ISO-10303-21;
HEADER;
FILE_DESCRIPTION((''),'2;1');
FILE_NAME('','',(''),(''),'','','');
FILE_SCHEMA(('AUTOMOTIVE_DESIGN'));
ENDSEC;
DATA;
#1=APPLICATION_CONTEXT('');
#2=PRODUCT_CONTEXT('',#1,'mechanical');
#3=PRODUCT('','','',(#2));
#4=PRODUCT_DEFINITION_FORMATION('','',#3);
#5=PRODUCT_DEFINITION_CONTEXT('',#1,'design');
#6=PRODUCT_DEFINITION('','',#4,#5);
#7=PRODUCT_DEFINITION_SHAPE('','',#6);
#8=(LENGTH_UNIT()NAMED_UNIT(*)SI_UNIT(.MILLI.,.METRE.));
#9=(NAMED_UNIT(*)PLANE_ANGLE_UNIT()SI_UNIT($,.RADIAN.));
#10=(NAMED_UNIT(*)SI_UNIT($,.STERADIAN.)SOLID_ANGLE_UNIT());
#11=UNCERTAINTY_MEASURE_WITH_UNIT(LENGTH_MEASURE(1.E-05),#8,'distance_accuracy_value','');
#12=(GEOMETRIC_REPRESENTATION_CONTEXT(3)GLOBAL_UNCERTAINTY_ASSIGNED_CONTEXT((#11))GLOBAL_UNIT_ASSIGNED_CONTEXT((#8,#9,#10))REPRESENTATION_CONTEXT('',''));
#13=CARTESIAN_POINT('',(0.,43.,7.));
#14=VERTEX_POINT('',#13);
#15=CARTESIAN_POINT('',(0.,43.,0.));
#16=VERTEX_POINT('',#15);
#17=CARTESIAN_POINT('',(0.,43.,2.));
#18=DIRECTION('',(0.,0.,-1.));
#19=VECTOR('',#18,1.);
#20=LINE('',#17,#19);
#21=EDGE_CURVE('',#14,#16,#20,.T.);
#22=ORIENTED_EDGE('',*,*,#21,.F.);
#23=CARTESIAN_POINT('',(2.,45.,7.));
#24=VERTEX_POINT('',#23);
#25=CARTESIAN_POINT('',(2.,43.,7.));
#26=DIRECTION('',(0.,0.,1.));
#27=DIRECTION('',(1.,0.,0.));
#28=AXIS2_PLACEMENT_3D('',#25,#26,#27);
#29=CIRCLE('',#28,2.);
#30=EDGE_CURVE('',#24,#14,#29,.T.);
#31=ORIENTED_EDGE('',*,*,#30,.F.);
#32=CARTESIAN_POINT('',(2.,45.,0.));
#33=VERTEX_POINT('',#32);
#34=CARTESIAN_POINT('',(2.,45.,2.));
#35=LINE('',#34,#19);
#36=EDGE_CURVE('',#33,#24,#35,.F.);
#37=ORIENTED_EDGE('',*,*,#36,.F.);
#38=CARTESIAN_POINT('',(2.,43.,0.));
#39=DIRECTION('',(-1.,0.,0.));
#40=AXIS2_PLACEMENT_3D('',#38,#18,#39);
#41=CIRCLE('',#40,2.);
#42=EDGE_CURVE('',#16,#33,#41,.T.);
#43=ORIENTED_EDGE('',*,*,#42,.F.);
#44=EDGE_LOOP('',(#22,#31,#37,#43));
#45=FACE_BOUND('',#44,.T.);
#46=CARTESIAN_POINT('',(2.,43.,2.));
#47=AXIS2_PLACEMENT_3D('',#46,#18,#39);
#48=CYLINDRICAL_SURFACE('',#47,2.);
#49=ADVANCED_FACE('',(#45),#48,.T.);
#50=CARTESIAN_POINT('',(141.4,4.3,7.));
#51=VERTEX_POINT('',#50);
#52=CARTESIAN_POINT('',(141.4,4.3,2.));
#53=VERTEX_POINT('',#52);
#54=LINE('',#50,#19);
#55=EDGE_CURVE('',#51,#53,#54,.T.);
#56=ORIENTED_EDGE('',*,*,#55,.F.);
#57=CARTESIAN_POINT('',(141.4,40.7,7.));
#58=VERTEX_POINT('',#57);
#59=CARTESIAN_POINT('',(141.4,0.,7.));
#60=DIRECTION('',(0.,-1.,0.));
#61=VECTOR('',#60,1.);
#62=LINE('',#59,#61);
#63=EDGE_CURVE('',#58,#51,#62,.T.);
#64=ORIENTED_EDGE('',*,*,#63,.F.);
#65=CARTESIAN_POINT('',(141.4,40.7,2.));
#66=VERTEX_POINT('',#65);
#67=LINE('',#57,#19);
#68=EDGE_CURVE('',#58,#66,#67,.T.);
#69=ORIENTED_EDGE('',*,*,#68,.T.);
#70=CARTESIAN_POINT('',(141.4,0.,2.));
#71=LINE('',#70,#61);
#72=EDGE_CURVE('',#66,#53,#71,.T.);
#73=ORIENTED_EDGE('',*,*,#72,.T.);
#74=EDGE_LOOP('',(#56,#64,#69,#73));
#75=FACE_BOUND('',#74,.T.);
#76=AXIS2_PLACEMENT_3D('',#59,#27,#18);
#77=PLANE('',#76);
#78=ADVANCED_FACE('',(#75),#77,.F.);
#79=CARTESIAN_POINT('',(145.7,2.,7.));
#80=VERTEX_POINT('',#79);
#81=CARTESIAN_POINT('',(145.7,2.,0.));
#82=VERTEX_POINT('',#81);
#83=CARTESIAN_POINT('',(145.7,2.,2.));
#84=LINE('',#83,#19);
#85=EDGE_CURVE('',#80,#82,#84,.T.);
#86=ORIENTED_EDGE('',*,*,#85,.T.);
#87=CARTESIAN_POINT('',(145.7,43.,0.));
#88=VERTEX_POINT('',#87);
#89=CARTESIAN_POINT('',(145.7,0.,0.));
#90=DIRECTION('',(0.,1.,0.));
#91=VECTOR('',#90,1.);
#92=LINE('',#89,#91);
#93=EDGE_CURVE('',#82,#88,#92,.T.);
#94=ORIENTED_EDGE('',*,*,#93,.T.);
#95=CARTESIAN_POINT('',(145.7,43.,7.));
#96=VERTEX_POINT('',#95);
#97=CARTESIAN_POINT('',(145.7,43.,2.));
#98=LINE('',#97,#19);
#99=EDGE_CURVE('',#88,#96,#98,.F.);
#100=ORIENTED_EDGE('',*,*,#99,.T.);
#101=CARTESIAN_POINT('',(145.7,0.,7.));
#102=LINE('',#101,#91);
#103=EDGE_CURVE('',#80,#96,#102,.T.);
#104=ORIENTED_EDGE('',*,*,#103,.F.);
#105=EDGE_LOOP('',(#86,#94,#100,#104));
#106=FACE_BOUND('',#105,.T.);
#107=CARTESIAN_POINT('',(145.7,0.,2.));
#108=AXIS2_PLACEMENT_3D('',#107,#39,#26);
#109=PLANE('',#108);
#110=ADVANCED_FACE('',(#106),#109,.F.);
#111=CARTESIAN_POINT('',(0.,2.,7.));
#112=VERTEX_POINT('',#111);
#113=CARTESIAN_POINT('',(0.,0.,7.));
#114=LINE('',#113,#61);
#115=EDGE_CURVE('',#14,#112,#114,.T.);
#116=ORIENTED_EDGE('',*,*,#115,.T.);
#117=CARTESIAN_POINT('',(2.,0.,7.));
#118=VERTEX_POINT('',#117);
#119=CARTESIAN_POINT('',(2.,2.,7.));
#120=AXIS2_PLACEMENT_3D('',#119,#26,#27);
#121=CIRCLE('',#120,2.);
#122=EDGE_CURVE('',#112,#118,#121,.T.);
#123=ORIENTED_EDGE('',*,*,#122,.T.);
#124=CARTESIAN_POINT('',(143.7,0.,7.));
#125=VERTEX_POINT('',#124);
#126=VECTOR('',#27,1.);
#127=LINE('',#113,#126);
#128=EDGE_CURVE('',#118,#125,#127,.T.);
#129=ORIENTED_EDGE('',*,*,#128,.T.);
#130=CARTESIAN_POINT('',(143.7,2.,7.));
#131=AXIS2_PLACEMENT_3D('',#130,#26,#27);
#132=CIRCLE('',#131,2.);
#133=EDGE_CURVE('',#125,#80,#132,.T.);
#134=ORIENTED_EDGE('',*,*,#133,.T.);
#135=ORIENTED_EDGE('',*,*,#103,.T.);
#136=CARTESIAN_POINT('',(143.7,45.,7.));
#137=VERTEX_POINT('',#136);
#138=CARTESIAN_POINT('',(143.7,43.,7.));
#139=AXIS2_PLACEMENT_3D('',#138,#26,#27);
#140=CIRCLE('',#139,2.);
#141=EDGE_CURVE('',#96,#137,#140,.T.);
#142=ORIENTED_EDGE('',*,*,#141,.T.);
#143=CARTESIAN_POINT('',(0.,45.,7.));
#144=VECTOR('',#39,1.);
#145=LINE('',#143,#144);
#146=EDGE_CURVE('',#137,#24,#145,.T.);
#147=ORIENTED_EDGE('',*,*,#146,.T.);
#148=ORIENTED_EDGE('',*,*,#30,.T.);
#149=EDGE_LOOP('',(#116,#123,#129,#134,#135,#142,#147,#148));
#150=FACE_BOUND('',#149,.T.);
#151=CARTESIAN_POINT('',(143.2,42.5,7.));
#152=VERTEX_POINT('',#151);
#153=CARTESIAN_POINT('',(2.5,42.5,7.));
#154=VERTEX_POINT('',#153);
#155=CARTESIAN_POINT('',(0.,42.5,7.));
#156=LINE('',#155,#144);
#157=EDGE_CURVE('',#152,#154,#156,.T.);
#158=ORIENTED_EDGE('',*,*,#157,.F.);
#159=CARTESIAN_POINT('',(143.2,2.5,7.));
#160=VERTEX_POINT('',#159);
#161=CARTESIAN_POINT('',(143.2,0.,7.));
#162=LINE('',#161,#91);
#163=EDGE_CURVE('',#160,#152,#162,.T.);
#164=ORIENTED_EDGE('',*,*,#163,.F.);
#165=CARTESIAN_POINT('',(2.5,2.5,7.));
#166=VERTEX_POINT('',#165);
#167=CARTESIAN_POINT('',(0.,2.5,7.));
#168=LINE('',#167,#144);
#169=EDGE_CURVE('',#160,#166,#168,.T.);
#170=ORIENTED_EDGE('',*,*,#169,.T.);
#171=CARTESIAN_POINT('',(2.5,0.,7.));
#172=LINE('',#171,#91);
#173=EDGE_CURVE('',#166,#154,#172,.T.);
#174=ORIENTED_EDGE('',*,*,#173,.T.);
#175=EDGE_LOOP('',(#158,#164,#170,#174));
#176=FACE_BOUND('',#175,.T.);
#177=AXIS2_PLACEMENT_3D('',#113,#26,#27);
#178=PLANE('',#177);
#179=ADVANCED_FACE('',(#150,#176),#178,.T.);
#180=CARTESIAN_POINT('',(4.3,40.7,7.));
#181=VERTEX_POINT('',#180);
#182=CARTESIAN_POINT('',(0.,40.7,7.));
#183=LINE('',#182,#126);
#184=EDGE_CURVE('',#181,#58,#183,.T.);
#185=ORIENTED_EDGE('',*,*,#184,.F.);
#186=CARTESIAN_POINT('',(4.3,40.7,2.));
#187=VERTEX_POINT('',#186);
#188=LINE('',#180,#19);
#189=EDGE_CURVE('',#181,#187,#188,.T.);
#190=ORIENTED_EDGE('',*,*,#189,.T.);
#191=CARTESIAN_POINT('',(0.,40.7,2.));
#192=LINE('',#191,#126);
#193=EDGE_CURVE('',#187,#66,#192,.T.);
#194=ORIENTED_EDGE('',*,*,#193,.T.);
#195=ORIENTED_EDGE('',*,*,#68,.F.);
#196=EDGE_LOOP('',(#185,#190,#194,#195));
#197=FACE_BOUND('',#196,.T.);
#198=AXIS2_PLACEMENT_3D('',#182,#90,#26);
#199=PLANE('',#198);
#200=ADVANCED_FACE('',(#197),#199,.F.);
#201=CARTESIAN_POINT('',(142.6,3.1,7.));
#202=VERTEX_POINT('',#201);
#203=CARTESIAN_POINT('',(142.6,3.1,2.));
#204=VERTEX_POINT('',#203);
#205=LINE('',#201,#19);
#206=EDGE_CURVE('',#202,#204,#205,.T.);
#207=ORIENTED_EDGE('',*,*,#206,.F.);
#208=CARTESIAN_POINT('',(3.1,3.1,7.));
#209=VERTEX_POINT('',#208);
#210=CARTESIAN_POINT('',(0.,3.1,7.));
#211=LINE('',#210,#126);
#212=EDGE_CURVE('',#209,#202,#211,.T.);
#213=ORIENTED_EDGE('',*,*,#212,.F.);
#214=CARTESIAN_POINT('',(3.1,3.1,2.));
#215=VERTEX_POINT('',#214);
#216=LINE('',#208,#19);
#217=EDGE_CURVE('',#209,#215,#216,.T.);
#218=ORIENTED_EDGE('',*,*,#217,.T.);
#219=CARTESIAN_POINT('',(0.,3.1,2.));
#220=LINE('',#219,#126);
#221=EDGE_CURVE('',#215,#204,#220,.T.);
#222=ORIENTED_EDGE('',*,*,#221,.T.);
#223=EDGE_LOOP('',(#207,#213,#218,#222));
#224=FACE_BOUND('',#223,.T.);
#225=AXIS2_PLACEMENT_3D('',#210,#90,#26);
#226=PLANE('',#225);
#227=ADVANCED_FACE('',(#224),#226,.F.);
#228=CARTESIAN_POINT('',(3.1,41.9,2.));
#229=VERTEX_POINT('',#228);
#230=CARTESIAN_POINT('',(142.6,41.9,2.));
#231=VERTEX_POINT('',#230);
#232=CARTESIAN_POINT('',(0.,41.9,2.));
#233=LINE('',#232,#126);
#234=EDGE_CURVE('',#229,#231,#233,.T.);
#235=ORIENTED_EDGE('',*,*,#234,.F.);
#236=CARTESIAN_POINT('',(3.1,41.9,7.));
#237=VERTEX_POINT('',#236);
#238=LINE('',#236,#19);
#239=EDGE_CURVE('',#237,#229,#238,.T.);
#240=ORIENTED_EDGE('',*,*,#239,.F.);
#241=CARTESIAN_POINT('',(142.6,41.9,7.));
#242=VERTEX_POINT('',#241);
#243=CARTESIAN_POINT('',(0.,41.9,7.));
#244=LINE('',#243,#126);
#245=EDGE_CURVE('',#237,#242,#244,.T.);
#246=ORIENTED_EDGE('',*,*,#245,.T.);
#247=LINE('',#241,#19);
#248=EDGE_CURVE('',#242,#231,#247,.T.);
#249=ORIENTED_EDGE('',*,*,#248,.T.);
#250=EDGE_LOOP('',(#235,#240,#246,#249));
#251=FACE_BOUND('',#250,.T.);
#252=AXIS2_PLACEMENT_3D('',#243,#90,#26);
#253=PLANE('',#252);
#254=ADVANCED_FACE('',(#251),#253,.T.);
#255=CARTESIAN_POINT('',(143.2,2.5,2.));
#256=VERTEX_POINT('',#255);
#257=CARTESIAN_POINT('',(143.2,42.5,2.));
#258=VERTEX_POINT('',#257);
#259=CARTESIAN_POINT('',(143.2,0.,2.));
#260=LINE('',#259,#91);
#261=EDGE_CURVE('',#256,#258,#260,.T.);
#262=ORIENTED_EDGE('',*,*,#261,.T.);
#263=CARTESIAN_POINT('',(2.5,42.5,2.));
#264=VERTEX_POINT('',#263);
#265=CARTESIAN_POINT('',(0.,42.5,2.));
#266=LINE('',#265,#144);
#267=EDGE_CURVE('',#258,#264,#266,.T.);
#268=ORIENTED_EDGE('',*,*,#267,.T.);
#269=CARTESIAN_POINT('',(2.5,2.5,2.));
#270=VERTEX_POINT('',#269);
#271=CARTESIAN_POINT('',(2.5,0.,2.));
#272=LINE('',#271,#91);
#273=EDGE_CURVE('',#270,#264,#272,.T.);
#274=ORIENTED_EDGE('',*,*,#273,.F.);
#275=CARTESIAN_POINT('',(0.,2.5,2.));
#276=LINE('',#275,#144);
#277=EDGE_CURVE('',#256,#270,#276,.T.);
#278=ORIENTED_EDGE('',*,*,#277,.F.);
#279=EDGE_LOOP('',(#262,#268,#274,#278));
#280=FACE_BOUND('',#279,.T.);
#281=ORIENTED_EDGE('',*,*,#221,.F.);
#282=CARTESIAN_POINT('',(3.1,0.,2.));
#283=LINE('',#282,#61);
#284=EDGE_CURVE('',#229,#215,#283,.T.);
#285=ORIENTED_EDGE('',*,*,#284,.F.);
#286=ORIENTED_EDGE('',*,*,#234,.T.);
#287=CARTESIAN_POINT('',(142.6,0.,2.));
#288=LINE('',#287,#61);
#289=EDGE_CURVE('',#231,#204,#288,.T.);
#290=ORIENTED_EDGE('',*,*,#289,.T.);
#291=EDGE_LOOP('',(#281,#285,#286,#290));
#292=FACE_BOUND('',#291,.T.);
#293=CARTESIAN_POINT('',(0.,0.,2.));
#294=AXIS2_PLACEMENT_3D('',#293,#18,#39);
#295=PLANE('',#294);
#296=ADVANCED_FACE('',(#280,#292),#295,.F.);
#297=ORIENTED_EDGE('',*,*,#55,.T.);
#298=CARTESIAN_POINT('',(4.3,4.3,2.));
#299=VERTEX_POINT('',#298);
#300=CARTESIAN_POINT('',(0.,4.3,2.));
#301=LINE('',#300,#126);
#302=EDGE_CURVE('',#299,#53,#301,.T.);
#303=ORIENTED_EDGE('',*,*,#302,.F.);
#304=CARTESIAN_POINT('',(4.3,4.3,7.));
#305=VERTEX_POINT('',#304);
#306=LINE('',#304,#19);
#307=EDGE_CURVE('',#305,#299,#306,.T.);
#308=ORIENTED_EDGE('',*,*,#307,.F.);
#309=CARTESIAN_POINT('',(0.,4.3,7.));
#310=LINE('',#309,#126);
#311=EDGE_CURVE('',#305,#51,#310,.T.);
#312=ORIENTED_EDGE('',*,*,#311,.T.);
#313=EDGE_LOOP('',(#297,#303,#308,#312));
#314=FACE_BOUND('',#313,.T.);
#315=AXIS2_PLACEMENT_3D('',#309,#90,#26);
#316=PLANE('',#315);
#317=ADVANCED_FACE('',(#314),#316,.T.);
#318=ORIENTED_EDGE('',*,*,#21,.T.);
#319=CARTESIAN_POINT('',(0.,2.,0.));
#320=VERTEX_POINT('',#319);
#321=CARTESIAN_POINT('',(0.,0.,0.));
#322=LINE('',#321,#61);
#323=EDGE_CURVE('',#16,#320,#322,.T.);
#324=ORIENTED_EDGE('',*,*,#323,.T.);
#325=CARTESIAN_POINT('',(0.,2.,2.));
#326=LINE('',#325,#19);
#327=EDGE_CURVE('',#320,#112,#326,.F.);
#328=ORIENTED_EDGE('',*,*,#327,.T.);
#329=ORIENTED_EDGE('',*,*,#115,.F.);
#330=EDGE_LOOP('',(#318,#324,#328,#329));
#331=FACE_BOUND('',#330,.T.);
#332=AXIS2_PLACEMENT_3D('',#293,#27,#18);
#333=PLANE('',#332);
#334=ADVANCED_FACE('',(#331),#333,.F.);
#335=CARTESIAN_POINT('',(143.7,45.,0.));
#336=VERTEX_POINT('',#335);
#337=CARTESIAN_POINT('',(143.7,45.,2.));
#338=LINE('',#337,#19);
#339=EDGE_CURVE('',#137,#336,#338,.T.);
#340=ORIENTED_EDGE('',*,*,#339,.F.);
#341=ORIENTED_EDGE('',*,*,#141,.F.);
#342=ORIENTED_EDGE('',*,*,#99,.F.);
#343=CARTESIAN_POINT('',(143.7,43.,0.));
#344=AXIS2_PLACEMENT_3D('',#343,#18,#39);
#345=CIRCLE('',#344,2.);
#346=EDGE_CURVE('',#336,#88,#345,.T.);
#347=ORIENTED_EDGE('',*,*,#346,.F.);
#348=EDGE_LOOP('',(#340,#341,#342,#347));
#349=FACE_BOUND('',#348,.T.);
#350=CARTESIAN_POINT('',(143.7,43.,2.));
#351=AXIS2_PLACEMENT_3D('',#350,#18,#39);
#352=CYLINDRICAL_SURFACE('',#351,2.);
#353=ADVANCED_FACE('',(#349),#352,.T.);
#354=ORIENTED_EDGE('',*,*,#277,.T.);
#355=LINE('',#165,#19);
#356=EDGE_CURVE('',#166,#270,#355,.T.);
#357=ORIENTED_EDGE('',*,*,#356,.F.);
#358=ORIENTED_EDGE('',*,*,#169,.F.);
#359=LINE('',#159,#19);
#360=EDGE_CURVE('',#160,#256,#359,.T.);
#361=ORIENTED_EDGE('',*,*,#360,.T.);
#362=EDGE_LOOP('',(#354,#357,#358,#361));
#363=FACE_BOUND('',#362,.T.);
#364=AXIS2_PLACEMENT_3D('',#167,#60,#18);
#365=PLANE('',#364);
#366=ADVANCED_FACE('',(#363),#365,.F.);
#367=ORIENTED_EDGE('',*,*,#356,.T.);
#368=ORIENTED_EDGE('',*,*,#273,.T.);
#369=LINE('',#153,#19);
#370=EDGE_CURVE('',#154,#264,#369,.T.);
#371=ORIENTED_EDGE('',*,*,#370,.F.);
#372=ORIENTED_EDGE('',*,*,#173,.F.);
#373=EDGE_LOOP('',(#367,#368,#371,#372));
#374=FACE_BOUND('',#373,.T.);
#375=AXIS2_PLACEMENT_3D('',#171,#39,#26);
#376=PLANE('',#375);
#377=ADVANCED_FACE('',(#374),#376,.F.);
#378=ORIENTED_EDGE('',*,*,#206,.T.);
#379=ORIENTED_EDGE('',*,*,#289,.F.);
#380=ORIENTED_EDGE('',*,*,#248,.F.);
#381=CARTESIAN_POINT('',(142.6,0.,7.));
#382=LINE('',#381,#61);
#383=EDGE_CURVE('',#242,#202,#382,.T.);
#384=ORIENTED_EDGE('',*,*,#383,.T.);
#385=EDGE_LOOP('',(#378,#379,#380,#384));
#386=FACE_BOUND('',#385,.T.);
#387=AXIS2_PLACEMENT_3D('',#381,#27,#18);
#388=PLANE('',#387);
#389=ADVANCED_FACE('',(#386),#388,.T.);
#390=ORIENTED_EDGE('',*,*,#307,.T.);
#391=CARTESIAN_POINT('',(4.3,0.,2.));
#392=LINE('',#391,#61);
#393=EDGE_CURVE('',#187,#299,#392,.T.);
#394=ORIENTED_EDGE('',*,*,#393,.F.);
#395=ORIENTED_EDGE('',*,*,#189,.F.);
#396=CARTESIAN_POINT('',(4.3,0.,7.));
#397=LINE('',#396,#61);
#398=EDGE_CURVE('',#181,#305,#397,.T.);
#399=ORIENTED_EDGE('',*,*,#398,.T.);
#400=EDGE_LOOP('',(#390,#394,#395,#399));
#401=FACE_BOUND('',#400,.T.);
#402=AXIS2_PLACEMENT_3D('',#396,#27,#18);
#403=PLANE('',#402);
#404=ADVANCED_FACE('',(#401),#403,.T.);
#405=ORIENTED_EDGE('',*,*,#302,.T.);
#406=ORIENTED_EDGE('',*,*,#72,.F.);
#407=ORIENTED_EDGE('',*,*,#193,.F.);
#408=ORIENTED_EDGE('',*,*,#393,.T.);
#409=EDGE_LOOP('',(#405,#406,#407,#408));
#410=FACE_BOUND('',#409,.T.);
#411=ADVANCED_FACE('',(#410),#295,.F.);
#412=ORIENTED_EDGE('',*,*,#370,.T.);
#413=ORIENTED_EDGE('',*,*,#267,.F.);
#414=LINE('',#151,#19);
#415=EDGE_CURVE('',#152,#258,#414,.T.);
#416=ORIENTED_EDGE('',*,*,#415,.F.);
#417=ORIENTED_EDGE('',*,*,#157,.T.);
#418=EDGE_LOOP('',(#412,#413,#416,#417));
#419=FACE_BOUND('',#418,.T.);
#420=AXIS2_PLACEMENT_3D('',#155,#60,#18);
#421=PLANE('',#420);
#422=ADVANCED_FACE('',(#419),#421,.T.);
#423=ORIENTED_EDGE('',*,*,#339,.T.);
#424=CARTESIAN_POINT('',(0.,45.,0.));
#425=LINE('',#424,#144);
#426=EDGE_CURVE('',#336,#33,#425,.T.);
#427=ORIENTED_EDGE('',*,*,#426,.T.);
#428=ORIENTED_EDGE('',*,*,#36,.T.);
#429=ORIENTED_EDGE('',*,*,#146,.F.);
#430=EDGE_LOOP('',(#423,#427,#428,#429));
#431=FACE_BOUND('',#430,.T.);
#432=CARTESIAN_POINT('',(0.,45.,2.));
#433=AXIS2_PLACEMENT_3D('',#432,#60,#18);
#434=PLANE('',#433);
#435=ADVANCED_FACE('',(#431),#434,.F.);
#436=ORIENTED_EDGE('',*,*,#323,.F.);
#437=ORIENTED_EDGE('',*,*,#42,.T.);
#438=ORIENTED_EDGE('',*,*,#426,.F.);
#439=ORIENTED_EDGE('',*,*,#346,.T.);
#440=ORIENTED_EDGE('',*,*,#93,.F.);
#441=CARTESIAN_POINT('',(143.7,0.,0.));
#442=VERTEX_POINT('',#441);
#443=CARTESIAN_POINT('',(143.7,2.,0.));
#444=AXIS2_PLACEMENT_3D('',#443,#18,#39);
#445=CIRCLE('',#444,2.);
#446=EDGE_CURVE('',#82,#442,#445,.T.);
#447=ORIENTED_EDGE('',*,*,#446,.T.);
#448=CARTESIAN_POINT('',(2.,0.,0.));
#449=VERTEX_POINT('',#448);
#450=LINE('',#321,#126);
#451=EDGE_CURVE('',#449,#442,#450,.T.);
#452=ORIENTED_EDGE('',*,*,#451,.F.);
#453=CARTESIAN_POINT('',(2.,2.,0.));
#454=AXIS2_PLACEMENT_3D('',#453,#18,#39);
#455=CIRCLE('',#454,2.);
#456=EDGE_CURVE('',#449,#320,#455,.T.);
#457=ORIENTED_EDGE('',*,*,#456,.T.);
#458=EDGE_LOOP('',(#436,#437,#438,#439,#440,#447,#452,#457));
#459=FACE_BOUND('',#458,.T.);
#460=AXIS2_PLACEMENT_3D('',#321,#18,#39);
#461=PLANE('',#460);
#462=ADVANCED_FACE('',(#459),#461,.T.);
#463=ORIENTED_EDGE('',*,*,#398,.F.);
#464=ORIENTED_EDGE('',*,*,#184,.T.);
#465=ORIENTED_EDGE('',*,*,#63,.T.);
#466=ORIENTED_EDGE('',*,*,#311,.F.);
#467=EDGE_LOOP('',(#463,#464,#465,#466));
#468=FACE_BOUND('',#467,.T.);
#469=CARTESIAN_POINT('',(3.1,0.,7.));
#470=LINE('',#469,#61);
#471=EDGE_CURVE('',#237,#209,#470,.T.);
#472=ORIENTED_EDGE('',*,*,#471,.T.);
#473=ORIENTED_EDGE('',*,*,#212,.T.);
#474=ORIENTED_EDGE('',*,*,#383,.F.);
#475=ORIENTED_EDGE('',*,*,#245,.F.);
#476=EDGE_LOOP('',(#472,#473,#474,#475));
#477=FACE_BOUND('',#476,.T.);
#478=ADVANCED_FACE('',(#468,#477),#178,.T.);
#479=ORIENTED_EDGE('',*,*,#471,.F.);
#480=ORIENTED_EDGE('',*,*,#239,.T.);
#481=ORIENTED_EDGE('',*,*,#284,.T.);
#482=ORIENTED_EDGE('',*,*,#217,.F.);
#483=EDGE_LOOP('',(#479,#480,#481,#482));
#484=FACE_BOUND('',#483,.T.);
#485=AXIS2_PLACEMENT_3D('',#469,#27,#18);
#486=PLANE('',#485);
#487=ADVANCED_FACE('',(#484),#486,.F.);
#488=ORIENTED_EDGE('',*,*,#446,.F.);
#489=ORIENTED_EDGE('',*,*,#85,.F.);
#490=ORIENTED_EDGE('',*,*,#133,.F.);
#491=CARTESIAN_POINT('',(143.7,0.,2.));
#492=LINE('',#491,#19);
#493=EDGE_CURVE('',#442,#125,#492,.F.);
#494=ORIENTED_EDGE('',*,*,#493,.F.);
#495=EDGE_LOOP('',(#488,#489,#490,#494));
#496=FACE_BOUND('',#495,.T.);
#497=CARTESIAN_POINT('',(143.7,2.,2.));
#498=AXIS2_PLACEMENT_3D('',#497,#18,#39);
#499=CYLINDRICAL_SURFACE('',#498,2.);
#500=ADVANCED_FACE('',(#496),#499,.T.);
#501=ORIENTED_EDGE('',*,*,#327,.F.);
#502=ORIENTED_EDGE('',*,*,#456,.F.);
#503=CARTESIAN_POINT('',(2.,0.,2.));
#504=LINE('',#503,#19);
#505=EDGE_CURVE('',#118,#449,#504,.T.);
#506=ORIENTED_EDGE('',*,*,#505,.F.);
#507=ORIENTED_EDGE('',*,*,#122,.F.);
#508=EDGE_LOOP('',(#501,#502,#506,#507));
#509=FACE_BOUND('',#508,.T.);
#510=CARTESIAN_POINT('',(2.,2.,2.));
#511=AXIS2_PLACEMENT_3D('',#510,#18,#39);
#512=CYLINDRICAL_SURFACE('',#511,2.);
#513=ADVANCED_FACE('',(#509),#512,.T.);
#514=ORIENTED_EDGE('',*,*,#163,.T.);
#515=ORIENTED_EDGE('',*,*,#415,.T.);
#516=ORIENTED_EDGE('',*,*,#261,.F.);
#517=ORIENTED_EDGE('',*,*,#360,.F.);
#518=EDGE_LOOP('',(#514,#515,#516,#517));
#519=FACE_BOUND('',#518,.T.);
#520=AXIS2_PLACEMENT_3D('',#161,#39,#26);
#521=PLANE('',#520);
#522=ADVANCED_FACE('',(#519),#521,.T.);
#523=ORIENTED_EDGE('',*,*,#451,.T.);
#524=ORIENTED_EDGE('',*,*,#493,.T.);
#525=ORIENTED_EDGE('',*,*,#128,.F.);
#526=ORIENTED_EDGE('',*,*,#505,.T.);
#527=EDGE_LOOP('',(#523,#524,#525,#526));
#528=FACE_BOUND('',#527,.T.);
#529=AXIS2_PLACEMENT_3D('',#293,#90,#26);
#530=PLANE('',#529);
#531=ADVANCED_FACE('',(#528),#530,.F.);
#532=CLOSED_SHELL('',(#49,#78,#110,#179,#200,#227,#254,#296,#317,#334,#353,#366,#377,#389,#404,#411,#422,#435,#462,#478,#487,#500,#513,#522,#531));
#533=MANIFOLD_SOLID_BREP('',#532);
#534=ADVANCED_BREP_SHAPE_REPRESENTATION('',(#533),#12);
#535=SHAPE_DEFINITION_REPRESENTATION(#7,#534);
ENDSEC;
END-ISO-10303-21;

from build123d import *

# Parameters (mm, degrees)
SKETCH1_W            = 145.7
SKETCH1_H            = 45
BOSS_EXTRUDE1_DEPTH  = 2
SKETCH17_W           = 145.7
SKETCH17_H           = 45
SKETCH17_W_2         = 140.7
SKETCH17_H_2         = 40
SKETCH17_W_3         = 139.5
SKETCH17_H_3         = 38.8
SKETCH17_W_4         = 137.1
SKETCH17_H_4         = 36.4
BOSS_EXTRUDE10_DEPTH = 5
FILLET2_R            = 2


with BuildPart() as part:
    # Sketch1 → Boss-Extrude1 (new body)
    with BuildSketch(Plane.XY):
        with Locations((72.85, 22.5)):
            Rectangle(SKETCH1_W, SKETCH1_H)
    extrude(amount=BOSS_EXTRUDE1_DEPTH)

    # Sketch17 → Boss-Extrude10 (add)
    # profile 1 of 2: a face of its own
    with BuildSketch(Plane.XY.offset(2)):
        with Locations((72.85, 22.5)):
            Rectangle(SKETCH17_W, SKETCH17_H)
        with Locations((72.85, 22.5)):
            Rectangle(SKETCH17_W_2, SKETCH17_H_2, mode=Mode.SUBTRACT)
    # profile 2 of 2: a face of its own
    with BuildSketch(Plane.XY.offset(2)):
        with Locations((72.85, 22.5)):
            Rectangle(SKETCH17_W_3, SKETCH17_H_3)
        with Locations((72.85, 22.5)):
            Rectangle(SKETCH17_W_4, SKETCH17_H_4, mode=Mode.SUBTRACT)
    extrude(amount=BOSS_EXTRUDE10_DEPTH)

    # Fillet2
    fillet2_edges = [part.edges().sort_by_distance(p)[0] for p in [
        (0, 45, 3.5),
        (145.7, 45, 3.5),
        (145.7, 0, 3.5),
        (0, 0, 3.5),
    ]]
    fillet(fillet2_edges, radius=FILLET2_R)


solid = part.part
